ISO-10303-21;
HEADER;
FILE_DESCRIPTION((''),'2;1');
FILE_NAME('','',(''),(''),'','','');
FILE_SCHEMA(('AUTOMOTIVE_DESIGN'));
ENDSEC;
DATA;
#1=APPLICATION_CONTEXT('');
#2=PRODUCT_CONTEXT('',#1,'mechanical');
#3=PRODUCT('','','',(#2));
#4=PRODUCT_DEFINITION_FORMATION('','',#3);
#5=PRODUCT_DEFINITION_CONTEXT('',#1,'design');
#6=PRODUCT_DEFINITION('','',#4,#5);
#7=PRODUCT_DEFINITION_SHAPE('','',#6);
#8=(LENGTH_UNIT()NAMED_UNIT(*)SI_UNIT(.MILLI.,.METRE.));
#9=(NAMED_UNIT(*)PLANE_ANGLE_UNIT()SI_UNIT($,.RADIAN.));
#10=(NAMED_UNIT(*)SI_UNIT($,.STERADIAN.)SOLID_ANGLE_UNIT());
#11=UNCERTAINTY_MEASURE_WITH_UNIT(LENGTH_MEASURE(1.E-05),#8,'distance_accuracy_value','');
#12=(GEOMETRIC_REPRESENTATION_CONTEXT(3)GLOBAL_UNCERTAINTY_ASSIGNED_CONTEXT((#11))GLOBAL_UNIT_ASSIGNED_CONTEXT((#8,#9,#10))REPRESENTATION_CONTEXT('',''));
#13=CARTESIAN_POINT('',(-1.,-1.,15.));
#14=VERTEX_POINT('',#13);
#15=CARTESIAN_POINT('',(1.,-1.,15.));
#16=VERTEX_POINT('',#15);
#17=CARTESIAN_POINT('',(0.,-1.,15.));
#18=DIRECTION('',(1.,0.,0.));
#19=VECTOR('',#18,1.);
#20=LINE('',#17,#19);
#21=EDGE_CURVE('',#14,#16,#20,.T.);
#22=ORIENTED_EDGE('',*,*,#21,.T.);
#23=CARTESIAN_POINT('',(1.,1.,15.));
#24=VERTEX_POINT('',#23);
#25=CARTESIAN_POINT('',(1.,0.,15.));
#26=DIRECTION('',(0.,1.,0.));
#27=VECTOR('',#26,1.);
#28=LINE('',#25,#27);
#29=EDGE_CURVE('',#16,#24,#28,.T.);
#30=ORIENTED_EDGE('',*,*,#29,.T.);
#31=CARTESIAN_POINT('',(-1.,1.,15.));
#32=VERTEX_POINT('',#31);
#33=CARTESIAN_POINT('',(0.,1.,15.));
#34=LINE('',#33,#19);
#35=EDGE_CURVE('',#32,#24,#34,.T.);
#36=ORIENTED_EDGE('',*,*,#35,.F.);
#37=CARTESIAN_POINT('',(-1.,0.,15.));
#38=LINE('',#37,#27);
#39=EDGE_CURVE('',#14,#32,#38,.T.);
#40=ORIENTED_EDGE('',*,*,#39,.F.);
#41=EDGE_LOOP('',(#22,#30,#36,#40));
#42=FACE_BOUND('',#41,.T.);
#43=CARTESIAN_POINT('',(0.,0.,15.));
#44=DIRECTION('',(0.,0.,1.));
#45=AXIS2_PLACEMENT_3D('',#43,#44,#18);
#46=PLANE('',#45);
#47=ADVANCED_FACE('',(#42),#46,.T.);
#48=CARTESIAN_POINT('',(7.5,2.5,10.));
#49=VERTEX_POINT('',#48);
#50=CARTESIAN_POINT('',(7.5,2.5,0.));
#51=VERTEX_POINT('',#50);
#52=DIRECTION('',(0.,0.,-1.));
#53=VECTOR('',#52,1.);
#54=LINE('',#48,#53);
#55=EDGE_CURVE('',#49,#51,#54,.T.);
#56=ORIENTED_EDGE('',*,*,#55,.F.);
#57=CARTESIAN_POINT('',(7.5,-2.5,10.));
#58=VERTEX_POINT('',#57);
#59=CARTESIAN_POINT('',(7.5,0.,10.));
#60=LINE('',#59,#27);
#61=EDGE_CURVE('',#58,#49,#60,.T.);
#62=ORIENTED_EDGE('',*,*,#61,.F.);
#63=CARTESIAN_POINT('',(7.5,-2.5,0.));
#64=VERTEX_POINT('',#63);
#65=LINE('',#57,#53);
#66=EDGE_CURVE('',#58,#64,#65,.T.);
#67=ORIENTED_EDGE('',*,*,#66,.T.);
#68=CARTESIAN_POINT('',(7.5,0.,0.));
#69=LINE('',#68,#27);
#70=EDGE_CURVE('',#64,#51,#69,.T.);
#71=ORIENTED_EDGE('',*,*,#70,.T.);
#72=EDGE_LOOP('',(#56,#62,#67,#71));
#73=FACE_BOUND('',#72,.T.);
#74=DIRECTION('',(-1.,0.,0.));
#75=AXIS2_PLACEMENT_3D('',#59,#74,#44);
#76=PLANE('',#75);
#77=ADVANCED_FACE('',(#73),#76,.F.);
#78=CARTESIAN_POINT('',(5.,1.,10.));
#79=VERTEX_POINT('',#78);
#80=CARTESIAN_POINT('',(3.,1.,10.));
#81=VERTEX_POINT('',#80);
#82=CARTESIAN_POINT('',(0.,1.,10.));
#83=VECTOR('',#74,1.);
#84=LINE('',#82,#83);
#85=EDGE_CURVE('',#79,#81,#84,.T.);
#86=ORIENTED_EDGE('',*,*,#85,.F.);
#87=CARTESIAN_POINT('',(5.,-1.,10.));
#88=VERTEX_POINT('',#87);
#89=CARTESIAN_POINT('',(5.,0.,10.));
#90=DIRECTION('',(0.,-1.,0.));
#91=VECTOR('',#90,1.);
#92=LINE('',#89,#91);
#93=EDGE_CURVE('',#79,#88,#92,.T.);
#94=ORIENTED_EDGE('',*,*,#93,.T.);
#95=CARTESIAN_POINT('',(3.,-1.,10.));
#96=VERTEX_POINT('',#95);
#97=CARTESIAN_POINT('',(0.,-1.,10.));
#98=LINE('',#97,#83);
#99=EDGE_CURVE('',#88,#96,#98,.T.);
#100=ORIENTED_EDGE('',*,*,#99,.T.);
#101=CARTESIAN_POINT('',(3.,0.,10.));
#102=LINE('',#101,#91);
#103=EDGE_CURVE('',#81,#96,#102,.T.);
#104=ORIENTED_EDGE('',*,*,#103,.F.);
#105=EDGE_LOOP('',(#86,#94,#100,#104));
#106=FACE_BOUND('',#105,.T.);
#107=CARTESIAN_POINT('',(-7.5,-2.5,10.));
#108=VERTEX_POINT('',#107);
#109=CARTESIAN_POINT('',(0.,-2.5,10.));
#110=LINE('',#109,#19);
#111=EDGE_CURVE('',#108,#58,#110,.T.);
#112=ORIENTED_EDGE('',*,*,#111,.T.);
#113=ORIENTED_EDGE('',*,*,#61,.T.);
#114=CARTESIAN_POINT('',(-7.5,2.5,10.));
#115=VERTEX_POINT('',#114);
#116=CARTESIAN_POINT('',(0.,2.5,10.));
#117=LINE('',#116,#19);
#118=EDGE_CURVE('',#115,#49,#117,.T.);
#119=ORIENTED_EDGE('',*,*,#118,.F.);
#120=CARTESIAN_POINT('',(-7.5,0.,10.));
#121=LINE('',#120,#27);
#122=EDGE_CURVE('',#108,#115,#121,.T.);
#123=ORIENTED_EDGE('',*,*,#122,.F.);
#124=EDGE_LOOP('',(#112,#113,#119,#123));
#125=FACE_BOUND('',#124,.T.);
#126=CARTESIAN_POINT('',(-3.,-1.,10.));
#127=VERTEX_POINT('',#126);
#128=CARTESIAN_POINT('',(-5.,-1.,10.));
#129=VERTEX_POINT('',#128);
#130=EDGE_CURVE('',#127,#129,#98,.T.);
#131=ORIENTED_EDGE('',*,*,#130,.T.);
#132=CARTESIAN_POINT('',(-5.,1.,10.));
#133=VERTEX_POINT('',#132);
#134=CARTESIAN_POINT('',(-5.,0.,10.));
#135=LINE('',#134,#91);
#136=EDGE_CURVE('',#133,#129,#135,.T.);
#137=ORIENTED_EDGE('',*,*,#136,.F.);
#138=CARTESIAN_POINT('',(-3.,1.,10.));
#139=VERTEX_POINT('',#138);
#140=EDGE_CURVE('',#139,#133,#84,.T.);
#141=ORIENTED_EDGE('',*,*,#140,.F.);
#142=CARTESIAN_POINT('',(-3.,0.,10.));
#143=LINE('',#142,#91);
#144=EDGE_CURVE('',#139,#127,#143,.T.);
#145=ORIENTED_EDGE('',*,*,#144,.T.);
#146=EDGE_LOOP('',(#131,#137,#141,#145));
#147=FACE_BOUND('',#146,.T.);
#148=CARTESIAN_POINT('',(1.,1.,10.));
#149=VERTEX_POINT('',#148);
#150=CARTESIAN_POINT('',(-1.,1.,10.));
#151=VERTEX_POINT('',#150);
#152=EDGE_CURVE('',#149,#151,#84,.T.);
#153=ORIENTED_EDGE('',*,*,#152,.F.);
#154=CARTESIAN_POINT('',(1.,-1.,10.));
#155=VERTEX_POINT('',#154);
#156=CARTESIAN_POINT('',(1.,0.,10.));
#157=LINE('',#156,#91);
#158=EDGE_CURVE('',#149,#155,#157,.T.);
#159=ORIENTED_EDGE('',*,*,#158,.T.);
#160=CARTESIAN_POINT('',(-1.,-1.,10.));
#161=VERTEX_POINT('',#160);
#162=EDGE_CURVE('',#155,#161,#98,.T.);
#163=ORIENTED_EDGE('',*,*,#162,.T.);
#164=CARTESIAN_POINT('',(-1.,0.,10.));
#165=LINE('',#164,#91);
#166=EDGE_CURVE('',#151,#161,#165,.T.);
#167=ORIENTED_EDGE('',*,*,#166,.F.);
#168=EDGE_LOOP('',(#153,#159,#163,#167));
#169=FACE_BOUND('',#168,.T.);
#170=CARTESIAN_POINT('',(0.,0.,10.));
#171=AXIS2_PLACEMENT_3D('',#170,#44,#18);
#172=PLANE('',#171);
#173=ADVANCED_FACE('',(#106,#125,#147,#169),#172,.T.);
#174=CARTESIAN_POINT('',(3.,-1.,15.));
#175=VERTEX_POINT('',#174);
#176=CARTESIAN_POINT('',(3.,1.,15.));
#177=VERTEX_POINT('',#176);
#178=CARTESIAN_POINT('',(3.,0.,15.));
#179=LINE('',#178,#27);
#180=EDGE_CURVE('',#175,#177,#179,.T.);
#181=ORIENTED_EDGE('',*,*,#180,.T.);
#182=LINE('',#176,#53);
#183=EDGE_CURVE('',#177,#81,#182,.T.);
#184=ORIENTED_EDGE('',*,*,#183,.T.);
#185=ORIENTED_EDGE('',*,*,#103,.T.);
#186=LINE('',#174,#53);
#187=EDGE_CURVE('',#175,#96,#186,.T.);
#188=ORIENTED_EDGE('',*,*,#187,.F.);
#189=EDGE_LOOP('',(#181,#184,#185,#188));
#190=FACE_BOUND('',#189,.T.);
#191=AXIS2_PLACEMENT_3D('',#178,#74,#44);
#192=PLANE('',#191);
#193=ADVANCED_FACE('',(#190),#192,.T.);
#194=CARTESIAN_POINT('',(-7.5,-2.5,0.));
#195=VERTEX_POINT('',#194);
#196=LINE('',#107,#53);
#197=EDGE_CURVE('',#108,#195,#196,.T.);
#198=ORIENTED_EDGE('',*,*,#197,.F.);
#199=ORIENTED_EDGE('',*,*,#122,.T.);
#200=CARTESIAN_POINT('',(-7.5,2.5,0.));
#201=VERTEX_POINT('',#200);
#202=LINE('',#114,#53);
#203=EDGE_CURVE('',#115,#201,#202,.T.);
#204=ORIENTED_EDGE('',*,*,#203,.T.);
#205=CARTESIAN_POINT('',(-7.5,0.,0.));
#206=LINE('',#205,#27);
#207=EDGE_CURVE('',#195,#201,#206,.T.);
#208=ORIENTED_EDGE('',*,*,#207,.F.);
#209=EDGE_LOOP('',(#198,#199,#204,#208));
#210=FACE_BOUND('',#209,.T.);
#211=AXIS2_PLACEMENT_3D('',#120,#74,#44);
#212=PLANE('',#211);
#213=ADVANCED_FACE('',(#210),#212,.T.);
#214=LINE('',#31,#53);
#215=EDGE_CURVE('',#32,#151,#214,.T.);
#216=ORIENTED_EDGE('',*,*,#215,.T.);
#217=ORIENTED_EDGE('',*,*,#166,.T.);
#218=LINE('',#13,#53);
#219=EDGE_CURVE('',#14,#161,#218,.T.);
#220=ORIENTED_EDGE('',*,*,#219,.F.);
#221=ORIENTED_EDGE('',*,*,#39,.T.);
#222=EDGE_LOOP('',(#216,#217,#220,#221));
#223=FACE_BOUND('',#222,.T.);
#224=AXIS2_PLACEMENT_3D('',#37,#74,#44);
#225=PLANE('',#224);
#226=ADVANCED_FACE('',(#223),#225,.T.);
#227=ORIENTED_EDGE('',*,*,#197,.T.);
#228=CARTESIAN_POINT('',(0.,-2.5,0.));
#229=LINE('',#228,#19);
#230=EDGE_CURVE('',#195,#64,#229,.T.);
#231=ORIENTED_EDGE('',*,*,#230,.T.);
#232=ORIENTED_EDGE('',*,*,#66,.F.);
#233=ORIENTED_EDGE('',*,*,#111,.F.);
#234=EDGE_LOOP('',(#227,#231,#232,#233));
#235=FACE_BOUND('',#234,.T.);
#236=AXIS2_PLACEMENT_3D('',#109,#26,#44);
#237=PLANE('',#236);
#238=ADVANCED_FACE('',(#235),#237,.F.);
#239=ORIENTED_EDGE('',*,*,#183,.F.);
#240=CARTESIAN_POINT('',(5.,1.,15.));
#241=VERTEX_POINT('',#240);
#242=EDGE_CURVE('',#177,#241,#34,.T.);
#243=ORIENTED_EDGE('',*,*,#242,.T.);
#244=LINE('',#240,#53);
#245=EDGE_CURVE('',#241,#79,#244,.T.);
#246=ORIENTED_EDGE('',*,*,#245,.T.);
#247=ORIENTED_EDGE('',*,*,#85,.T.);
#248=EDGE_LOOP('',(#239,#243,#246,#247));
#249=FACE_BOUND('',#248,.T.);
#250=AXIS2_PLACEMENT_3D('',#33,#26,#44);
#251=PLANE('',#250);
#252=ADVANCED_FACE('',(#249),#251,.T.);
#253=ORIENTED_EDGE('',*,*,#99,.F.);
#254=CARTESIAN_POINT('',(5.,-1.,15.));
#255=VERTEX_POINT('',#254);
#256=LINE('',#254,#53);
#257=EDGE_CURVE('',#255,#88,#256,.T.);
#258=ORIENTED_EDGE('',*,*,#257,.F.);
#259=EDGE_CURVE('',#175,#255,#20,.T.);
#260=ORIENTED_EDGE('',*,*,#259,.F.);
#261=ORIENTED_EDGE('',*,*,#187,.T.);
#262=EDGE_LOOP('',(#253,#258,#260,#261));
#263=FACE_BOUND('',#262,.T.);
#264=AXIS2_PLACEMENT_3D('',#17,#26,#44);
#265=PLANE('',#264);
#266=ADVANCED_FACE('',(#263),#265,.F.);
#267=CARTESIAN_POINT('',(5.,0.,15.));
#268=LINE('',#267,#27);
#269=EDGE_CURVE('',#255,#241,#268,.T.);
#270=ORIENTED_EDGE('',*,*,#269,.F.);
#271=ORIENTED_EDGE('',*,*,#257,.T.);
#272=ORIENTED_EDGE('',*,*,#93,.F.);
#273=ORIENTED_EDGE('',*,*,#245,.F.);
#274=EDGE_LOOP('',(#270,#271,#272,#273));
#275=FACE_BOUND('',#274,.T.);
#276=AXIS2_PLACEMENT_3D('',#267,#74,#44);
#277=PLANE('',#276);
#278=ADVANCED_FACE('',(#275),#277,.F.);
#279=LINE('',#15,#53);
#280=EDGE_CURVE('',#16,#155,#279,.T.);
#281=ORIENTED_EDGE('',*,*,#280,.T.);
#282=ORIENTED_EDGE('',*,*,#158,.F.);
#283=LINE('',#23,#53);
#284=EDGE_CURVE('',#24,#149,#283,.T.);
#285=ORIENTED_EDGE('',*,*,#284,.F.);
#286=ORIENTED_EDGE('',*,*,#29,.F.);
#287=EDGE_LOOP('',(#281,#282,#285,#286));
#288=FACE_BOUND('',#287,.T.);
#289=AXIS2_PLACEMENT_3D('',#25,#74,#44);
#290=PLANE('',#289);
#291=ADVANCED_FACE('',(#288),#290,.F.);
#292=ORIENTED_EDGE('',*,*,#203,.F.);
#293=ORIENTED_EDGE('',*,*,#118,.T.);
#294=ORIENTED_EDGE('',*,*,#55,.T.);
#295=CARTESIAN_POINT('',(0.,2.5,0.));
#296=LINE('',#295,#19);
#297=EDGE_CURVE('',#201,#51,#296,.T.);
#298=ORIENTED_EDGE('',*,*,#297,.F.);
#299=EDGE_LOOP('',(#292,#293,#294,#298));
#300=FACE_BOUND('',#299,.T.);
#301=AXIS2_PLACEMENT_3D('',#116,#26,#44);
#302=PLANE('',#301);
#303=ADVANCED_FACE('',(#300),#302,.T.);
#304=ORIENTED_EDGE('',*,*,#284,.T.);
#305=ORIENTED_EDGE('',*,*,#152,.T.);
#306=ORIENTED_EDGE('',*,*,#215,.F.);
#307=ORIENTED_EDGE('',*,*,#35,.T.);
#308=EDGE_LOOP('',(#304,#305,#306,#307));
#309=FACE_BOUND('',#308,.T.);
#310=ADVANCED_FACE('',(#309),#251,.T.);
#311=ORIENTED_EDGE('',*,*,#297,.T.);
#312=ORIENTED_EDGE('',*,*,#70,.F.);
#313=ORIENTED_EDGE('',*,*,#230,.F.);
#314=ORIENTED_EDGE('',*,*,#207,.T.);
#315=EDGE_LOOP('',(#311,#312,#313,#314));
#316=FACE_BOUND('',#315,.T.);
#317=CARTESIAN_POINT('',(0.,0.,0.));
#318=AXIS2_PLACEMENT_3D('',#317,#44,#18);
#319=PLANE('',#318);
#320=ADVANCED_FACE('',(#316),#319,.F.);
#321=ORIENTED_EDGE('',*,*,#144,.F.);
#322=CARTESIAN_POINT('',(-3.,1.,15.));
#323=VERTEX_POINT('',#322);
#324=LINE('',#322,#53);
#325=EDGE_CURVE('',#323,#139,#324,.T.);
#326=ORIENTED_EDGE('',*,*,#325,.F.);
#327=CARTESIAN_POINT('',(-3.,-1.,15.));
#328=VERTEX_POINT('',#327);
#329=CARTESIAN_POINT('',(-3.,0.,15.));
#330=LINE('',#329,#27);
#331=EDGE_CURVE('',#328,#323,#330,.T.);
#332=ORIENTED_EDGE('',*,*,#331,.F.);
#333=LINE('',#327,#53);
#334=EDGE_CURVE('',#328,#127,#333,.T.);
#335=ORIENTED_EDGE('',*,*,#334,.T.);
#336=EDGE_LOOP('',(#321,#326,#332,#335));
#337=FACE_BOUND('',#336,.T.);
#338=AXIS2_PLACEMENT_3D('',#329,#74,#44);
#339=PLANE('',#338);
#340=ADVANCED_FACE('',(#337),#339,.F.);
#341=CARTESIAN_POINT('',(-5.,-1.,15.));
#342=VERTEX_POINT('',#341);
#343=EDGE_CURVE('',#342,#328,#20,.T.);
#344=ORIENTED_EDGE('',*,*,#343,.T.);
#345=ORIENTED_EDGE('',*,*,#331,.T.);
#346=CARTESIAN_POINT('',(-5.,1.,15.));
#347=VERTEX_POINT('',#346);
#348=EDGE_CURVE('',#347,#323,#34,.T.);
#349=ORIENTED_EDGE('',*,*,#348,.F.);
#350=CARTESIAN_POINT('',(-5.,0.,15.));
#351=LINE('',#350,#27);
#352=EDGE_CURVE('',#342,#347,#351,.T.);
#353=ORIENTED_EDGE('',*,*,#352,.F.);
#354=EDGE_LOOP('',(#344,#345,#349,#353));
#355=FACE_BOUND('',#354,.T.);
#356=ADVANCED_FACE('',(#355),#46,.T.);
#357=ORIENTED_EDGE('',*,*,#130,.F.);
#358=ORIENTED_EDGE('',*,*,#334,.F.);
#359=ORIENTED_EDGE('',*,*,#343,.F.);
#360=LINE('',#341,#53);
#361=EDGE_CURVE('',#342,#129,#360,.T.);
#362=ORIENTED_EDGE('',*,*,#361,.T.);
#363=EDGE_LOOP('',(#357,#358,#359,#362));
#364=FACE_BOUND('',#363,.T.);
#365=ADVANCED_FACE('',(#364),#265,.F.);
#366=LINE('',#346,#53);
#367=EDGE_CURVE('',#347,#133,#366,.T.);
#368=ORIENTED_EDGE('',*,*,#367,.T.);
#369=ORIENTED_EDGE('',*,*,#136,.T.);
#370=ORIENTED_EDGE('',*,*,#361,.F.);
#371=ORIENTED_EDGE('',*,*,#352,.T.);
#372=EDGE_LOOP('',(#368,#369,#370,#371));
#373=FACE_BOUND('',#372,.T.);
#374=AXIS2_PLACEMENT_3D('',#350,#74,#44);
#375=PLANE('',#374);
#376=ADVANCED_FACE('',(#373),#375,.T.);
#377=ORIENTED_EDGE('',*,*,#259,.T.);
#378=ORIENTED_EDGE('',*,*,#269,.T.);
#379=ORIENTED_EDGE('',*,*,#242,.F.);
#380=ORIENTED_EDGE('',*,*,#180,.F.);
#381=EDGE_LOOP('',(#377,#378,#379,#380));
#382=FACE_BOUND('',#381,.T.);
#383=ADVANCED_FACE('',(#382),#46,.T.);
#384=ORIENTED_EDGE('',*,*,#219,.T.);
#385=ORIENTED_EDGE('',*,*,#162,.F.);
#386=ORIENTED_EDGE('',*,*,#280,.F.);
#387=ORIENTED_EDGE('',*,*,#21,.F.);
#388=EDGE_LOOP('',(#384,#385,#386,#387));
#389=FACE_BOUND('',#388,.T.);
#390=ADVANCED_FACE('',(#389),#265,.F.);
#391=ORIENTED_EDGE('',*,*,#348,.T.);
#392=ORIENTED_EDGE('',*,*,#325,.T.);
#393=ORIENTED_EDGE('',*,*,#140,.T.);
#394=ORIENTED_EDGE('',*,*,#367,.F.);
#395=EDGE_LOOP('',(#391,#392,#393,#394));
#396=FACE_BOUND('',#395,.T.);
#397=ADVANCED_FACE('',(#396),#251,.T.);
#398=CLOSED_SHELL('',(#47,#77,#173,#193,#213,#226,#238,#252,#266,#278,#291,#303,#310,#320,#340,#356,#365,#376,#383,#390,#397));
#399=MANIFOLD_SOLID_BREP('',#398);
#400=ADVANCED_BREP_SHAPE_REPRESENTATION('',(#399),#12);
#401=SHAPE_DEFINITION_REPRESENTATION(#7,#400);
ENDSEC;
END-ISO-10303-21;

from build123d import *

# Parameters (mm, degrees)
SKETCH_1_W      = 15
SKETCH_1_H      = 5
EXTRUDE_1_DEPTH = 10
SKETCH_1_3_W    = 2
SKETCH_1_3_H    = 2
EXTRUDE_2_DEPTH = 15


with BuildPart() as part:
    # 草图1 → 凸台-拉伸1 (new body)
    with BuildSketch(Plane.XY):
        Rectangle(SKETCH_1_W, SKETCH_1_H)
    extrude(amount=EXTRUDE_1_DEPTH)

    # 草图1<3> → 凸台-拉伸2 (add)
    with BuildSketch(Plane.XY):
        with Locations((4, 0)):
            Rectangle(SKETCH_1_3_W, SKETCH_1_3_H)
        Rectangle(SKETCH_1_3_W, SKETCH_1_3_H)
        with Locations((-4, 0)):
            Rectangle(SKETCH_1_3_W, SKETCH_1_3_H)
    extrude(amount=EXTRUDE_2_DEPTH)


solid = part.part
